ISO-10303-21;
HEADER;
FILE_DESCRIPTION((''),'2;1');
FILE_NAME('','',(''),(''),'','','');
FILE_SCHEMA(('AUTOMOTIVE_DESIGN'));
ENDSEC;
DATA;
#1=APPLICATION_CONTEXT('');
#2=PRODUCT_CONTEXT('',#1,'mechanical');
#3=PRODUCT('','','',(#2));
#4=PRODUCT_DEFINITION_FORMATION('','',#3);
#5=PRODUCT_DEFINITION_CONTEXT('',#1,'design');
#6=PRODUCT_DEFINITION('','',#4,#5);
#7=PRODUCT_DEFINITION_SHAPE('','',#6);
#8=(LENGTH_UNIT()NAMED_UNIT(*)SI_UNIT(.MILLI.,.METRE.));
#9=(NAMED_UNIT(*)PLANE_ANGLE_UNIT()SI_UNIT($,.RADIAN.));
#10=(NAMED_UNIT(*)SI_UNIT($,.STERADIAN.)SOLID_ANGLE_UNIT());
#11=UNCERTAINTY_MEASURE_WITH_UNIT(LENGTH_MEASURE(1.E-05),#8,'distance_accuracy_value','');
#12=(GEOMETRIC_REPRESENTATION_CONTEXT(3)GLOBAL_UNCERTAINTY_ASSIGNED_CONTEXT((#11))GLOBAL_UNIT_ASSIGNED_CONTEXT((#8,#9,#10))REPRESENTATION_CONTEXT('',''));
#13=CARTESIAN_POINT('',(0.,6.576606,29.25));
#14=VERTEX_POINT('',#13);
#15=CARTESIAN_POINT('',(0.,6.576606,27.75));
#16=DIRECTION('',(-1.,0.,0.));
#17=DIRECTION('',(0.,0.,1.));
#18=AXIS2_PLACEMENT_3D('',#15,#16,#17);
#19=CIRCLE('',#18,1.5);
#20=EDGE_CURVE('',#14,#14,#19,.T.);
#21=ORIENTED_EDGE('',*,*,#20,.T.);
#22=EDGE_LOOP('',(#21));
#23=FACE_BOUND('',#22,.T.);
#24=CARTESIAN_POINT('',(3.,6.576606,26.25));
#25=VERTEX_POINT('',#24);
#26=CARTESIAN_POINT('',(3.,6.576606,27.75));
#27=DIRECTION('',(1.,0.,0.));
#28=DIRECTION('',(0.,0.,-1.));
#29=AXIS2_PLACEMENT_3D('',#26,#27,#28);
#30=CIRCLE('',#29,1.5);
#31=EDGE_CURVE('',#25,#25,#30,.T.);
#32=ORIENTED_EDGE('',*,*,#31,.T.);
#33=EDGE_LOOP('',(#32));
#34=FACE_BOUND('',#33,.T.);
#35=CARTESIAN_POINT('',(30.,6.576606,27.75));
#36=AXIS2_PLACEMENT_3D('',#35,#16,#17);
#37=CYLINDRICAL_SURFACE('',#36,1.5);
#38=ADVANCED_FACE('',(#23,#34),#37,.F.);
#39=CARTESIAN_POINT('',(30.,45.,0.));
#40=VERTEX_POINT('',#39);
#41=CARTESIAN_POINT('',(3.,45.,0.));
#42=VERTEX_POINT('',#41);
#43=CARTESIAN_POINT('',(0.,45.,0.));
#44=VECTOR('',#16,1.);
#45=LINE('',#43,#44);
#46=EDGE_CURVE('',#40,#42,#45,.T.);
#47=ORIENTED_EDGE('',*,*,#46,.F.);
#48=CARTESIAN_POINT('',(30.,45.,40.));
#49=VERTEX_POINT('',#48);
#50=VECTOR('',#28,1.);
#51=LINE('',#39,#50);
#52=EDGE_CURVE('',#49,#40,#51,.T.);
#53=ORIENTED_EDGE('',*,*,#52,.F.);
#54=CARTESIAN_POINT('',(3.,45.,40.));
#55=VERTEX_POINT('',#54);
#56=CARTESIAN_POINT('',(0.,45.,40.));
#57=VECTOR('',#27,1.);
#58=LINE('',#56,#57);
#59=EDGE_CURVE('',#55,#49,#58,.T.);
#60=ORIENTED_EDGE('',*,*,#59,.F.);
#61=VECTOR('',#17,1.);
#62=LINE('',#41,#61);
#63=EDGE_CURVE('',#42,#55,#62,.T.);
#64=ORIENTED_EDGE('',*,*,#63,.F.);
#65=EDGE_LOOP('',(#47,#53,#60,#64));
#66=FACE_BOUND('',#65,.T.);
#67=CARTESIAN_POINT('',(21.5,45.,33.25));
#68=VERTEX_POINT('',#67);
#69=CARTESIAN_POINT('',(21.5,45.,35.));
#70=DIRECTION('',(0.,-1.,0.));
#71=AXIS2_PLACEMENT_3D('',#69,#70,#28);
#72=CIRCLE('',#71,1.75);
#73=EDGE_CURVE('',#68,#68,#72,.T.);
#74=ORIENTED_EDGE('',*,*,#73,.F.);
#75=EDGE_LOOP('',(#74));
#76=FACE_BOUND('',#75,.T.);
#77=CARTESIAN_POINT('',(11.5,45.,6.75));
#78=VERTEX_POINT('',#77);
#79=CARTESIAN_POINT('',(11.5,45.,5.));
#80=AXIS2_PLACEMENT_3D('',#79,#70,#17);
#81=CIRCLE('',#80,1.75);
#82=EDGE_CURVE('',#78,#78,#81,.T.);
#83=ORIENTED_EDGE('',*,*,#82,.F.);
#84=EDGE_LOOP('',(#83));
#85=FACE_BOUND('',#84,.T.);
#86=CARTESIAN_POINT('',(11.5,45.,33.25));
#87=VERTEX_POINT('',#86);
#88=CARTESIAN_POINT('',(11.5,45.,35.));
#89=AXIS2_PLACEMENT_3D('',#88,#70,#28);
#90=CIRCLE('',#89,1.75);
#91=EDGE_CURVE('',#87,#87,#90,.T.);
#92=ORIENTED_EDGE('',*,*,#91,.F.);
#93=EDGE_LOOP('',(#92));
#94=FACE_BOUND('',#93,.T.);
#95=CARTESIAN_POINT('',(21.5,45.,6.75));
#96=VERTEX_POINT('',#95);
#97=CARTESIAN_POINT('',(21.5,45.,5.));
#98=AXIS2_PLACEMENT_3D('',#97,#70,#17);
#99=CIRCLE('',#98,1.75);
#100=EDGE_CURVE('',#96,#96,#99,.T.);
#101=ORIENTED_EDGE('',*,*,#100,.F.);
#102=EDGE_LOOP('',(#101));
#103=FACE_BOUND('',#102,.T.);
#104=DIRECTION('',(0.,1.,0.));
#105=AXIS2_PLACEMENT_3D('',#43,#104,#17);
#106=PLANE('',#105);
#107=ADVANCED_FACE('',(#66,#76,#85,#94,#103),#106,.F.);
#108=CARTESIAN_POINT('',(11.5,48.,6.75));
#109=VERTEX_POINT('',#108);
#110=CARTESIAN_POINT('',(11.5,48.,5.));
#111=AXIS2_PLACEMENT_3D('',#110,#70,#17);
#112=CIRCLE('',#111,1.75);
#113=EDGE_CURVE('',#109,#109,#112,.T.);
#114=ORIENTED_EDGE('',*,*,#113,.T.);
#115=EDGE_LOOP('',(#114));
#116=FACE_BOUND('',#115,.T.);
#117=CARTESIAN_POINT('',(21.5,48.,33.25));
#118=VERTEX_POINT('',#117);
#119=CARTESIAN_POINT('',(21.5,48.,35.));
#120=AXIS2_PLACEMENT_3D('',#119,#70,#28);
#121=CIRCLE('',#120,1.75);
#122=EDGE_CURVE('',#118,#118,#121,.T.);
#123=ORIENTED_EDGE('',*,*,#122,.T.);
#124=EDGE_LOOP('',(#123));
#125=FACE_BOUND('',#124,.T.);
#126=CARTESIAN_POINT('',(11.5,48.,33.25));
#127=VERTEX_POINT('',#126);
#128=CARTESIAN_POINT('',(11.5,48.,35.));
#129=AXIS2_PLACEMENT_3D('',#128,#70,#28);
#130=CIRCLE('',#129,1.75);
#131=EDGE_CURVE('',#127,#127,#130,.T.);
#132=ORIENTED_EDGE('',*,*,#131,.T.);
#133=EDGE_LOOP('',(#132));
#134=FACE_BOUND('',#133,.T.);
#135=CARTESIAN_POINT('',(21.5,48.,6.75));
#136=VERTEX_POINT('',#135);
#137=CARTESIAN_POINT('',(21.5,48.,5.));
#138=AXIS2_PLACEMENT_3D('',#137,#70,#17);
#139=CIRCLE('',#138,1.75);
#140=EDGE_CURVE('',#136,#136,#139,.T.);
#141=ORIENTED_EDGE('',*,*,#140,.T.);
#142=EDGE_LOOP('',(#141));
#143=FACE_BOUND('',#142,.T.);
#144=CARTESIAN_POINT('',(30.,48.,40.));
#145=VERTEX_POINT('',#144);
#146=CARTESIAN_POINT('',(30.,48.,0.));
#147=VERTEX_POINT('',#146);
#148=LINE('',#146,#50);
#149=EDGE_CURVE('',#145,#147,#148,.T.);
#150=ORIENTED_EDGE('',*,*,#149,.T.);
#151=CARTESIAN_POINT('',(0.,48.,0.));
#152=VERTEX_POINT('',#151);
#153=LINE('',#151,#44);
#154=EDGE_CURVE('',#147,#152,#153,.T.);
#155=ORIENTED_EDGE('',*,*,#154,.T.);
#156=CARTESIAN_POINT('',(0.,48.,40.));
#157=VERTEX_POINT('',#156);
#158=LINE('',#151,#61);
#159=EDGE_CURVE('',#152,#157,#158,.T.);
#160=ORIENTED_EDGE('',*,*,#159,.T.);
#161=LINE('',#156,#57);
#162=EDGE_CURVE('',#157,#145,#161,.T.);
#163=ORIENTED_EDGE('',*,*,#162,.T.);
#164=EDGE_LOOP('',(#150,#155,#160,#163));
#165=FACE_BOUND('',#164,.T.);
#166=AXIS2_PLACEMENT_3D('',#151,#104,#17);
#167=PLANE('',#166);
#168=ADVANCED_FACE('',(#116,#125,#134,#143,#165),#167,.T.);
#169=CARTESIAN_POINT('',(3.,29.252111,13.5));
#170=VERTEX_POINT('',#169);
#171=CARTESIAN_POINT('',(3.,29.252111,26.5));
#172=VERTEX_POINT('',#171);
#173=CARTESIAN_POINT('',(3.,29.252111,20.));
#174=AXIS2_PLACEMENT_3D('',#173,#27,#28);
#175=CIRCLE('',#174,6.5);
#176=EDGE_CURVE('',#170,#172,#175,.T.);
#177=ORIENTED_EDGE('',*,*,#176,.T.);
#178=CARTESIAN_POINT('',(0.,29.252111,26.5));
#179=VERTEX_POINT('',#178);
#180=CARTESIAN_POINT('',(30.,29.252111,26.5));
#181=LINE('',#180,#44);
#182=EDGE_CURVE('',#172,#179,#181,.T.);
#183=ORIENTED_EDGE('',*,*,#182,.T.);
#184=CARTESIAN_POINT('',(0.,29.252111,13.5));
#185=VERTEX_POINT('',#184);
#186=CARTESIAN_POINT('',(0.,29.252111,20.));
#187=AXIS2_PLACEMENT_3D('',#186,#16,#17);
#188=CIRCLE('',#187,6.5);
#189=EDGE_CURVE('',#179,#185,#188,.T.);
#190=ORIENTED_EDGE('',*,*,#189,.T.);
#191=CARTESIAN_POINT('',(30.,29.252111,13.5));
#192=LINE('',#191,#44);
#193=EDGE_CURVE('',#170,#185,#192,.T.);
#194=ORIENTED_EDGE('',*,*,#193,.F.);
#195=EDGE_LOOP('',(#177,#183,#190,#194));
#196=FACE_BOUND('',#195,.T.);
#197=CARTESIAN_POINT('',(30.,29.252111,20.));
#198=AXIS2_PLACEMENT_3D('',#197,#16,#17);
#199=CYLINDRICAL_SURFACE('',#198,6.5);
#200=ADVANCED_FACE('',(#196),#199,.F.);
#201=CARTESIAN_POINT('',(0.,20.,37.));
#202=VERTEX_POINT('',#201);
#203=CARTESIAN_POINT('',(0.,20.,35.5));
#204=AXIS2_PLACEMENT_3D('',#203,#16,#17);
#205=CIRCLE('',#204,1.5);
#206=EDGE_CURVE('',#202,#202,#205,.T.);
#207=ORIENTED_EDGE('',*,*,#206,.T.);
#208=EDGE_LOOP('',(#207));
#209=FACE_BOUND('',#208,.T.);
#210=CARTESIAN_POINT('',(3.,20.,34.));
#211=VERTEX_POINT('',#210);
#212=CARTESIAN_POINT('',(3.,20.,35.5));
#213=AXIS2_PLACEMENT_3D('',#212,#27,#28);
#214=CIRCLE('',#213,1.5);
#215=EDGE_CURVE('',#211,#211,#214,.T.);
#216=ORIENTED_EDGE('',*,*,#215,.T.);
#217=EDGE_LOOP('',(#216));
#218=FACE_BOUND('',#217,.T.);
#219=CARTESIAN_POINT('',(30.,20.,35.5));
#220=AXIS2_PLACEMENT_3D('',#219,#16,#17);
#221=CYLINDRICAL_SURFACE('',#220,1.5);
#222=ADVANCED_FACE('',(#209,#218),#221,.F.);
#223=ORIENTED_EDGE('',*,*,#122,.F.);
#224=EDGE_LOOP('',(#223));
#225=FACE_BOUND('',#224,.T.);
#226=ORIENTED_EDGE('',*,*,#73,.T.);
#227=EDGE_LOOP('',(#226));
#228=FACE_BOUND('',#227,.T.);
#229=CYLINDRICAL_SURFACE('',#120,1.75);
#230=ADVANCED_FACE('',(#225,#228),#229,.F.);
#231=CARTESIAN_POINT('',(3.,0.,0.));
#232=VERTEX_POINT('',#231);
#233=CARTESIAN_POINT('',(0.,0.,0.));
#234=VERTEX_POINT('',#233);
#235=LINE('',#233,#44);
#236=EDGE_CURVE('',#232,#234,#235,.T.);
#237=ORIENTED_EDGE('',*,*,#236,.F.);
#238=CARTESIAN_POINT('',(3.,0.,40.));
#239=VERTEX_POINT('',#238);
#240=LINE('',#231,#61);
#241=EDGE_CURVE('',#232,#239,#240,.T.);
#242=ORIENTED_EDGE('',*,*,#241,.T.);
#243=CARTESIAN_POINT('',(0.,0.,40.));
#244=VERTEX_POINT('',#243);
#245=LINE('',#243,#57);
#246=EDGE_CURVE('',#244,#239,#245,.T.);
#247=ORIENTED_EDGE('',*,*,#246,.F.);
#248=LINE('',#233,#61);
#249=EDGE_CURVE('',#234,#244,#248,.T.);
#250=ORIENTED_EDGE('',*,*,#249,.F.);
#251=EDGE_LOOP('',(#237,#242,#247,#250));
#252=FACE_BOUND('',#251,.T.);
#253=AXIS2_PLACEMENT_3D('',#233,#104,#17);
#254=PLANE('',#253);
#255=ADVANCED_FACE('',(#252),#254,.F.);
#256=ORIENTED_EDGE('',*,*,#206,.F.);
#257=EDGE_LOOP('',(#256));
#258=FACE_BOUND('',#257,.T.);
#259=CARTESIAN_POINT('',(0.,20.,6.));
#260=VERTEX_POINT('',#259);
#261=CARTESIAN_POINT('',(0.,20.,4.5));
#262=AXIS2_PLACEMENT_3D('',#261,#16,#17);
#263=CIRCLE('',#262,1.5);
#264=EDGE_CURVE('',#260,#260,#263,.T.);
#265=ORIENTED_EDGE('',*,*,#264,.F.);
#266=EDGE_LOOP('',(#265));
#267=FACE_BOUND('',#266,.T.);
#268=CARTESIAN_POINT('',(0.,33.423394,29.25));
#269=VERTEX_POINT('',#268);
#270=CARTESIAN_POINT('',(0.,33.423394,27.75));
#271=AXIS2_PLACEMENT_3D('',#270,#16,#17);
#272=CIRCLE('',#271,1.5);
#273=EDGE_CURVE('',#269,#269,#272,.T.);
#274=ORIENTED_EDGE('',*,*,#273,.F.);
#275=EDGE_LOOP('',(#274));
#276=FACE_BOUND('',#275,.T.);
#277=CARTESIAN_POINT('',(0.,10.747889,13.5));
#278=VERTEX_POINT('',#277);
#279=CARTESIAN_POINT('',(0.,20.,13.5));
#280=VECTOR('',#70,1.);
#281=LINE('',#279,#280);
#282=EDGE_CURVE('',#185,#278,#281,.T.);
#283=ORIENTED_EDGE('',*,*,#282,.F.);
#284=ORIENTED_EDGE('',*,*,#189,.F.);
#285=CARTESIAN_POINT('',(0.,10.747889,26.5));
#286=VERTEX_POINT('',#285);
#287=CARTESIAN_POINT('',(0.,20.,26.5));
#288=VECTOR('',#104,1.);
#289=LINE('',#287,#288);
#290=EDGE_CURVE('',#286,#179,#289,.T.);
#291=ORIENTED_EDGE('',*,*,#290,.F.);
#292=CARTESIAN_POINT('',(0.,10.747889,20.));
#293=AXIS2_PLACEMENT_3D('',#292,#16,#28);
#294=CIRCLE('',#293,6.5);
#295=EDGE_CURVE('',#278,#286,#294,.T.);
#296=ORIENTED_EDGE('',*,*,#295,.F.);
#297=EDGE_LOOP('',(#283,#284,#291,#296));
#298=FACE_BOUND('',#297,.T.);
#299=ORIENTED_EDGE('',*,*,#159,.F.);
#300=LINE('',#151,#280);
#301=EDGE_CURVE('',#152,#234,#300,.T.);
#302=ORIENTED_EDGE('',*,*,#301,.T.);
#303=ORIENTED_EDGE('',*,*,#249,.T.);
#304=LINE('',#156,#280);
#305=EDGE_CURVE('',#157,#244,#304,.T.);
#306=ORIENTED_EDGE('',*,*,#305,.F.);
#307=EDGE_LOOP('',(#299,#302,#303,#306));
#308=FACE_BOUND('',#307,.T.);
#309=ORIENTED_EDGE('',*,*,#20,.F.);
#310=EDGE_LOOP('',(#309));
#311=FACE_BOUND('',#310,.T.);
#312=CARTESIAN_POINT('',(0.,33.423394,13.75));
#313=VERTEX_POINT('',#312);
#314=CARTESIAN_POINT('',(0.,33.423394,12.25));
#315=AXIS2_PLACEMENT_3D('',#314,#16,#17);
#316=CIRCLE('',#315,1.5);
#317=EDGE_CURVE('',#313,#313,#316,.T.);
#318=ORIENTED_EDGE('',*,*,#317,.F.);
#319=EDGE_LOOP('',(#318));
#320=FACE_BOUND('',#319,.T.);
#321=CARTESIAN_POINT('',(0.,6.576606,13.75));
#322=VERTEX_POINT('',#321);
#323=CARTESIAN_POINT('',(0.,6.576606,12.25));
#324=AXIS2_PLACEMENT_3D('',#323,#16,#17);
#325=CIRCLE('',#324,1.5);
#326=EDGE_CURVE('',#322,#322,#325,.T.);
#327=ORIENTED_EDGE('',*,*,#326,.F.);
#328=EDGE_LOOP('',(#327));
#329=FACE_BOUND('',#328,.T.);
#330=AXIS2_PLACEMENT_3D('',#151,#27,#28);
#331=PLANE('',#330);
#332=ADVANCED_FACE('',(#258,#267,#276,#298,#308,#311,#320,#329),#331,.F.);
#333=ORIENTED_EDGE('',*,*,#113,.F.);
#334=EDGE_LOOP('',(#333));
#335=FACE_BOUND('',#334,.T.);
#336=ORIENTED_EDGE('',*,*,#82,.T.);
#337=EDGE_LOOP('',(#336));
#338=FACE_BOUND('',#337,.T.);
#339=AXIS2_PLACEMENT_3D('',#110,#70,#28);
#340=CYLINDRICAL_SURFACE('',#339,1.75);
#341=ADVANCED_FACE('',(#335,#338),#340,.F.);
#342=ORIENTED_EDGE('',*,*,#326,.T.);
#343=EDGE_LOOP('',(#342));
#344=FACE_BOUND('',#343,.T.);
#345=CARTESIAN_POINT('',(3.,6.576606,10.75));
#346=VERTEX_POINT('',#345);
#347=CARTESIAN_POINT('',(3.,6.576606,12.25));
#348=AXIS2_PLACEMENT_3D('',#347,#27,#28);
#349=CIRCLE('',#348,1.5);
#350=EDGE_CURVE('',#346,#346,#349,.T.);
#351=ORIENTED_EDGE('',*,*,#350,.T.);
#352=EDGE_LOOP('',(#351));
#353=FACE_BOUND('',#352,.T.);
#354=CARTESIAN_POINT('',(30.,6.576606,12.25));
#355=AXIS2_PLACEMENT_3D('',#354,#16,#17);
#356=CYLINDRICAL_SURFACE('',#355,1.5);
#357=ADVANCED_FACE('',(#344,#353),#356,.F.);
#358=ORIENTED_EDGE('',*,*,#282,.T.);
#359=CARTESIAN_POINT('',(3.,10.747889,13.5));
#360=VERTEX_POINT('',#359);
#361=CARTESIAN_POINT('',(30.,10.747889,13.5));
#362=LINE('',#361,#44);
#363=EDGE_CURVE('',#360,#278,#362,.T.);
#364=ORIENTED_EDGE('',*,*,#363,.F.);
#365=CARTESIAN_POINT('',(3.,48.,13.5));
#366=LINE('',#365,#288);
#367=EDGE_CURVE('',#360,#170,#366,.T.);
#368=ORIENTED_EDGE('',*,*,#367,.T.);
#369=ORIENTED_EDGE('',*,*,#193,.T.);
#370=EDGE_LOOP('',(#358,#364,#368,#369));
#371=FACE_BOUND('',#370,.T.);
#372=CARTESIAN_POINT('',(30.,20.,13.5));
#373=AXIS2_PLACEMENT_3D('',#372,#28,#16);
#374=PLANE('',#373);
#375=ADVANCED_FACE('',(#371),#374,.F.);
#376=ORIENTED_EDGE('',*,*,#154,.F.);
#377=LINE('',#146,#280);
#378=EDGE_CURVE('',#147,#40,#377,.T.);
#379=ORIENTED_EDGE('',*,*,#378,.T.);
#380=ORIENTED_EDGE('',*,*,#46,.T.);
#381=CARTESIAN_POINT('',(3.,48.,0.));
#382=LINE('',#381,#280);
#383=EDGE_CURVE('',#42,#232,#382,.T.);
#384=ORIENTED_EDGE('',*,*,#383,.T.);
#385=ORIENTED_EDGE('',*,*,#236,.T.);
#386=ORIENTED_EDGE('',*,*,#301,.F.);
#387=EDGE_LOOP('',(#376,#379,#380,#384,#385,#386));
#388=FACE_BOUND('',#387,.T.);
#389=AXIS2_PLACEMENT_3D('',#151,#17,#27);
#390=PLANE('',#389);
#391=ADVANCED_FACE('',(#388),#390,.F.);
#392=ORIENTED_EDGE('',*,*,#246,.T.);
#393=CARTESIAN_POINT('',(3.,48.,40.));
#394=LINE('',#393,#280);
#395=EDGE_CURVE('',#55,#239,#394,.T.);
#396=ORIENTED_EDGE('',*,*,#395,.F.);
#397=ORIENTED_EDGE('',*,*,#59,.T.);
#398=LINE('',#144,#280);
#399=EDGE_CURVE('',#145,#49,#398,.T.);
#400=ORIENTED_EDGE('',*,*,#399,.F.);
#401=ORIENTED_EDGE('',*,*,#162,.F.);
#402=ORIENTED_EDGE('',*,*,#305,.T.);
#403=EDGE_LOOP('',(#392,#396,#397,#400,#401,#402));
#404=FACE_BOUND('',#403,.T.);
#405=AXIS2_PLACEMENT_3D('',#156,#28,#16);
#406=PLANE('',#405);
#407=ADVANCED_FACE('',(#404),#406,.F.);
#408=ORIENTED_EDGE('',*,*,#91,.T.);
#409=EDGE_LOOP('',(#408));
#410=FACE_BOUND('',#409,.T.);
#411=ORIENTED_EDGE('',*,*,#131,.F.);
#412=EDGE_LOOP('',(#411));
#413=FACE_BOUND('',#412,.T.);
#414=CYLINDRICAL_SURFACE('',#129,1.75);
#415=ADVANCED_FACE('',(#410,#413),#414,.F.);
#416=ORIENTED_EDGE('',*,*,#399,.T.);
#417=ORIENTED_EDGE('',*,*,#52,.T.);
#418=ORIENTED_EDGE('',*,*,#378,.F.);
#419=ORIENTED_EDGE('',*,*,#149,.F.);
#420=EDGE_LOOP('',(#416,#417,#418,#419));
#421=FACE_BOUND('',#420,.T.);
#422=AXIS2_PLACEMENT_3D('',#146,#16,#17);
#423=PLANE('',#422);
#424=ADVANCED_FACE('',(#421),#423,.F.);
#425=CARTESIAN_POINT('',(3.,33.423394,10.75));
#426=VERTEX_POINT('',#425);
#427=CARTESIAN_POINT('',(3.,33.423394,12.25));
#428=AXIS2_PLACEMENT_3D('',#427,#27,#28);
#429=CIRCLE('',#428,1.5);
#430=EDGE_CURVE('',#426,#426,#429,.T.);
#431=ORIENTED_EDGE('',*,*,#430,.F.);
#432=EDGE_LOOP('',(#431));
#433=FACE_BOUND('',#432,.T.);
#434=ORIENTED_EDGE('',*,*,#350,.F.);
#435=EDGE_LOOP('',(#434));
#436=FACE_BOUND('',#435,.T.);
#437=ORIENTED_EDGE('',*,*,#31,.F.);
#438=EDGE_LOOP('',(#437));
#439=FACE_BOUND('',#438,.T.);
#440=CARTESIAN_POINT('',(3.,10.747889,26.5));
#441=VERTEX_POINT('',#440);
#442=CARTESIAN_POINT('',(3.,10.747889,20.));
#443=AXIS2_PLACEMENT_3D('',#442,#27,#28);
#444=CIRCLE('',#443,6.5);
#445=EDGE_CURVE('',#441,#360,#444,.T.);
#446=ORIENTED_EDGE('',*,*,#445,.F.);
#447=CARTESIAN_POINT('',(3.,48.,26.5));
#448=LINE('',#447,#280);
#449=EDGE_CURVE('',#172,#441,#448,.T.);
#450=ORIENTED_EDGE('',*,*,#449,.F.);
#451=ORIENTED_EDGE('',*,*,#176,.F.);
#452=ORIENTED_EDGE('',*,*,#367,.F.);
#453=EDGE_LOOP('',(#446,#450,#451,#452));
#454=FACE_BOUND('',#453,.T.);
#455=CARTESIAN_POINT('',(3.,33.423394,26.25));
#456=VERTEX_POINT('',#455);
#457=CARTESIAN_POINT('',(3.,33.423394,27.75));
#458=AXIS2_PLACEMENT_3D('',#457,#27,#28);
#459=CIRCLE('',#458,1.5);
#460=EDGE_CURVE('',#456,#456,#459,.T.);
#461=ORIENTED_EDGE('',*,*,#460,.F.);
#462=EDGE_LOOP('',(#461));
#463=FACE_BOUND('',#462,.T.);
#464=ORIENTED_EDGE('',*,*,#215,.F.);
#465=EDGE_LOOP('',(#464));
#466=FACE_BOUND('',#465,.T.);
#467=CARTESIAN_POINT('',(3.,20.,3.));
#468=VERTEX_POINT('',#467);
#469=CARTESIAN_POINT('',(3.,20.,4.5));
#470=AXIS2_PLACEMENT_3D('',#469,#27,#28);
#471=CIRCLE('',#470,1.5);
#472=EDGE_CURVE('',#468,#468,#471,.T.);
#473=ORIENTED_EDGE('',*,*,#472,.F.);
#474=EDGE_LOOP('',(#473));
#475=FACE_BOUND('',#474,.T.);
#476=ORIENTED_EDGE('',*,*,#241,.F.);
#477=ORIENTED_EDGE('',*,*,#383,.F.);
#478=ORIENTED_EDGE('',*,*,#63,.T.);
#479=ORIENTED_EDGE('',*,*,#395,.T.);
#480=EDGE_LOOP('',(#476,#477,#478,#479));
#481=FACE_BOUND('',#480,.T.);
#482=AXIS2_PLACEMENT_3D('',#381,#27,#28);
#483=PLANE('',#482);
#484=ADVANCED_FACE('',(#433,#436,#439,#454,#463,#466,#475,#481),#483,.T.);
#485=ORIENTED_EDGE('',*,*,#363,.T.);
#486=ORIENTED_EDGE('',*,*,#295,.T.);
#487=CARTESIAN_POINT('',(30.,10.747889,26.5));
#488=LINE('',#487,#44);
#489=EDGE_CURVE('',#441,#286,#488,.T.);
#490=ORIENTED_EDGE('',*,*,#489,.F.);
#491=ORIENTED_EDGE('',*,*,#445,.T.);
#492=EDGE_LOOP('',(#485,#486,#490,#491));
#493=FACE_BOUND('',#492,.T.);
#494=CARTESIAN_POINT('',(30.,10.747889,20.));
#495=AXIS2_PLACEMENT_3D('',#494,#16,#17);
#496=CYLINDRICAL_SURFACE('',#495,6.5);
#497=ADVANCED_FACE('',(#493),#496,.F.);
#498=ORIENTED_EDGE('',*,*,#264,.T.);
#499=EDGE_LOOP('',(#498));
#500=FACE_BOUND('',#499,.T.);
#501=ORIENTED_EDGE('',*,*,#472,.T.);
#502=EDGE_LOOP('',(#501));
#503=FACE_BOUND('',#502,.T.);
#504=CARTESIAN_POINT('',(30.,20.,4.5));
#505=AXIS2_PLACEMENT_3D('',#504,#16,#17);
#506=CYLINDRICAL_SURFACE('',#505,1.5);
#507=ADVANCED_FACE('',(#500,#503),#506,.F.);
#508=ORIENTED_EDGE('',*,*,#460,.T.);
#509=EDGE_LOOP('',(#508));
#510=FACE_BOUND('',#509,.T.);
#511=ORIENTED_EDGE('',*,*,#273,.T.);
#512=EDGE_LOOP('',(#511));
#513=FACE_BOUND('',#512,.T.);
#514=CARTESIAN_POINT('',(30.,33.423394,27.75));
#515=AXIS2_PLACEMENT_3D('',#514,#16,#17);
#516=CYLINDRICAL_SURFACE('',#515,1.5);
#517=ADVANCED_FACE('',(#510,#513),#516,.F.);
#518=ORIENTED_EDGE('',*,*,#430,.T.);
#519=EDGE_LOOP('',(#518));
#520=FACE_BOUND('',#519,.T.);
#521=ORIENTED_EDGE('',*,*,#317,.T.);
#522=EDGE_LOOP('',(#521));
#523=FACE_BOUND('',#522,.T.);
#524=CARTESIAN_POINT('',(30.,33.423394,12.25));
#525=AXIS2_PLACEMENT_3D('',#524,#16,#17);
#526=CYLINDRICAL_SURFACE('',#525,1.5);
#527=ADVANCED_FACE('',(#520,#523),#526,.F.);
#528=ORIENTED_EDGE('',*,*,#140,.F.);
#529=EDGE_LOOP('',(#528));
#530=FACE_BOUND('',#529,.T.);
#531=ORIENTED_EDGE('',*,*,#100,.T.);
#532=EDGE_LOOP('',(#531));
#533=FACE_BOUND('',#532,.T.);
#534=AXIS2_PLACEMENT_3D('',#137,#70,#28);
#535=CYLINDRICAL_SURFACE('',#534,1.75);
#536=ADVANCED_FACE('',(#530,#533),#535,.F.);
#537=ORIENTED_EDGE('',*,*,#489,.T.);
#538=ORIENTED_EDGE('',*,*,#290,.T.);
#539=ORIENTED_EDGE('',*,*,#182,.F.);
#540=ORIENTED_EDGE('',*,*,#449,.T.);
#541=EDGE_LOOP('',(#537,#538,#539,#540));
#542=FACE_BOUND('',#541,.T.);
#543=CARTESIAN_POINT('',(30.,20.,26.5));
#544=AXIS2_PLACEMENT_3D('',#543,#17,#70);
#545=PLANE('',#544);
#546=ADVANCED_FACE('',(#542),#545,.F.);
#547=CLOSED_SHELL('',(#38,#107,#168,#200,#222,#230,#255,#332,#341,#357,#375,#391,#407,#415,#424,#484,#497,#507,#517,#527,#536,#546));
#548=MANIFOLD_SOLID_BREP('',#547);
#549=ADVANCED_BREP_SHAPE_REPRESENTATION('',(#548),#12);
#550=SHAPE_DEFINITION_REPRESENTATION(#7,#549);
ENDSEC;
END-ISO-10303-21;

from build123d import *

# Parameters (mm, degrees)
SKETCH_1_W          = 30
SKETCH_1_H          = 40
EXTRUDE_1_DEPTH     = 48
SHELL_1_T           = -3
SKETCH_2_R          = 1.75
CUT_EXTRUDE_1_DEPTH = 68.268120235
SKETCH_3_R          = 1.5
CUT_EXTRUDE_3_DEPTH = 70.310893805


with BuildPart() as part:
    # 草图1 → 凸台-拉伸1 (new body)
    with BuildSketch(Plane(origin=(0, 0, 0), x_dir=(1, 0, 0), z_dir=(0, 1, 0))):
        with Locations((15, -20)):
            Rectangle(SKETCH_1_W, SKETCH_1_H)
    extrude(amount=EXTRUDE_1_DEPTH)

    # 抽壳1
    shell_1_openings = [part.faces().sort_by_distance(p)[0] for p in [
        (15, 0, 20),
        (15, 24, 0),
        (30, 24, 20),
        (15, 24, 40),
    ]]
    offset(amount=SHELL_1_T, openings=shell_1_openings, kind=Kind.INTERSECTION)

    # 草图2 → 切除-拉伸1 (cut, through all)
    with BuildSketch(Plane.XZ.offset(-45)):
        with Locations(Location((11.5, 35, 0), (0, 0, 270))):
            Circle(SKETCH_2_R)
        with Locations(Location((21.5, 35, 0), (0, 0, 270))):
            Circle(SKETCH_2_R)
        with Locations(Location((21.5, 5, 0), (0, 0, 90))):
            Circle(SKETCH_2_R)
        with Locations(Location((11.5, 5, 0), (0, 0, 90))):
            Circle(SKETCH_2_R)
    extrude(amount=-CUT_EXTRUDE_1_DEPTH, mode=Mode.SUBTRACT)

    # 草图3 → 切除-拉伸3 (cut, through all)
    with BuildSketch(Plane.ZY):
        with Locations((27.75, 6.576606241)):
            Circle(SKETCH_3_R)
        with Locations((12.25, 6.576606241)):
            Circle(SKETCH_3_R)
        with Locations((4.5, 20)):
            Circle(SKETCH_3_R)
        with Locations((12.25, 33.423393759)):
            Circle(SKETCH_3_R)
        with Locations((27.75, 33.423393759)):
            Circle(SKETCH_3_R)
        with Locations((35.5, 20)):
            Circle(SKETCH_3_R)
        with BuildLine():
            Line((26.5, 20), (26.5, 29.252110748))
            ThreePointArc((26.5, 29.252110748), (20, 35.752110748), (13.5, 29.252110748))
            Line((13.5, 29.252110748), (13.5, 20))
            Line((13.5, 20), (13.5, 10.747889252))
            ThreePointArc((13.5, 10.747889252), (20, 4.247889252), (26.5, 10.747889252))
            Line((26.5, 10.747889252), (26.5, 20))
        make_face()
    extrude(amount=-CUT_EXTRUDE_3_DEPTH, mode=Mode.SUBTRACT)


solid = part.part
